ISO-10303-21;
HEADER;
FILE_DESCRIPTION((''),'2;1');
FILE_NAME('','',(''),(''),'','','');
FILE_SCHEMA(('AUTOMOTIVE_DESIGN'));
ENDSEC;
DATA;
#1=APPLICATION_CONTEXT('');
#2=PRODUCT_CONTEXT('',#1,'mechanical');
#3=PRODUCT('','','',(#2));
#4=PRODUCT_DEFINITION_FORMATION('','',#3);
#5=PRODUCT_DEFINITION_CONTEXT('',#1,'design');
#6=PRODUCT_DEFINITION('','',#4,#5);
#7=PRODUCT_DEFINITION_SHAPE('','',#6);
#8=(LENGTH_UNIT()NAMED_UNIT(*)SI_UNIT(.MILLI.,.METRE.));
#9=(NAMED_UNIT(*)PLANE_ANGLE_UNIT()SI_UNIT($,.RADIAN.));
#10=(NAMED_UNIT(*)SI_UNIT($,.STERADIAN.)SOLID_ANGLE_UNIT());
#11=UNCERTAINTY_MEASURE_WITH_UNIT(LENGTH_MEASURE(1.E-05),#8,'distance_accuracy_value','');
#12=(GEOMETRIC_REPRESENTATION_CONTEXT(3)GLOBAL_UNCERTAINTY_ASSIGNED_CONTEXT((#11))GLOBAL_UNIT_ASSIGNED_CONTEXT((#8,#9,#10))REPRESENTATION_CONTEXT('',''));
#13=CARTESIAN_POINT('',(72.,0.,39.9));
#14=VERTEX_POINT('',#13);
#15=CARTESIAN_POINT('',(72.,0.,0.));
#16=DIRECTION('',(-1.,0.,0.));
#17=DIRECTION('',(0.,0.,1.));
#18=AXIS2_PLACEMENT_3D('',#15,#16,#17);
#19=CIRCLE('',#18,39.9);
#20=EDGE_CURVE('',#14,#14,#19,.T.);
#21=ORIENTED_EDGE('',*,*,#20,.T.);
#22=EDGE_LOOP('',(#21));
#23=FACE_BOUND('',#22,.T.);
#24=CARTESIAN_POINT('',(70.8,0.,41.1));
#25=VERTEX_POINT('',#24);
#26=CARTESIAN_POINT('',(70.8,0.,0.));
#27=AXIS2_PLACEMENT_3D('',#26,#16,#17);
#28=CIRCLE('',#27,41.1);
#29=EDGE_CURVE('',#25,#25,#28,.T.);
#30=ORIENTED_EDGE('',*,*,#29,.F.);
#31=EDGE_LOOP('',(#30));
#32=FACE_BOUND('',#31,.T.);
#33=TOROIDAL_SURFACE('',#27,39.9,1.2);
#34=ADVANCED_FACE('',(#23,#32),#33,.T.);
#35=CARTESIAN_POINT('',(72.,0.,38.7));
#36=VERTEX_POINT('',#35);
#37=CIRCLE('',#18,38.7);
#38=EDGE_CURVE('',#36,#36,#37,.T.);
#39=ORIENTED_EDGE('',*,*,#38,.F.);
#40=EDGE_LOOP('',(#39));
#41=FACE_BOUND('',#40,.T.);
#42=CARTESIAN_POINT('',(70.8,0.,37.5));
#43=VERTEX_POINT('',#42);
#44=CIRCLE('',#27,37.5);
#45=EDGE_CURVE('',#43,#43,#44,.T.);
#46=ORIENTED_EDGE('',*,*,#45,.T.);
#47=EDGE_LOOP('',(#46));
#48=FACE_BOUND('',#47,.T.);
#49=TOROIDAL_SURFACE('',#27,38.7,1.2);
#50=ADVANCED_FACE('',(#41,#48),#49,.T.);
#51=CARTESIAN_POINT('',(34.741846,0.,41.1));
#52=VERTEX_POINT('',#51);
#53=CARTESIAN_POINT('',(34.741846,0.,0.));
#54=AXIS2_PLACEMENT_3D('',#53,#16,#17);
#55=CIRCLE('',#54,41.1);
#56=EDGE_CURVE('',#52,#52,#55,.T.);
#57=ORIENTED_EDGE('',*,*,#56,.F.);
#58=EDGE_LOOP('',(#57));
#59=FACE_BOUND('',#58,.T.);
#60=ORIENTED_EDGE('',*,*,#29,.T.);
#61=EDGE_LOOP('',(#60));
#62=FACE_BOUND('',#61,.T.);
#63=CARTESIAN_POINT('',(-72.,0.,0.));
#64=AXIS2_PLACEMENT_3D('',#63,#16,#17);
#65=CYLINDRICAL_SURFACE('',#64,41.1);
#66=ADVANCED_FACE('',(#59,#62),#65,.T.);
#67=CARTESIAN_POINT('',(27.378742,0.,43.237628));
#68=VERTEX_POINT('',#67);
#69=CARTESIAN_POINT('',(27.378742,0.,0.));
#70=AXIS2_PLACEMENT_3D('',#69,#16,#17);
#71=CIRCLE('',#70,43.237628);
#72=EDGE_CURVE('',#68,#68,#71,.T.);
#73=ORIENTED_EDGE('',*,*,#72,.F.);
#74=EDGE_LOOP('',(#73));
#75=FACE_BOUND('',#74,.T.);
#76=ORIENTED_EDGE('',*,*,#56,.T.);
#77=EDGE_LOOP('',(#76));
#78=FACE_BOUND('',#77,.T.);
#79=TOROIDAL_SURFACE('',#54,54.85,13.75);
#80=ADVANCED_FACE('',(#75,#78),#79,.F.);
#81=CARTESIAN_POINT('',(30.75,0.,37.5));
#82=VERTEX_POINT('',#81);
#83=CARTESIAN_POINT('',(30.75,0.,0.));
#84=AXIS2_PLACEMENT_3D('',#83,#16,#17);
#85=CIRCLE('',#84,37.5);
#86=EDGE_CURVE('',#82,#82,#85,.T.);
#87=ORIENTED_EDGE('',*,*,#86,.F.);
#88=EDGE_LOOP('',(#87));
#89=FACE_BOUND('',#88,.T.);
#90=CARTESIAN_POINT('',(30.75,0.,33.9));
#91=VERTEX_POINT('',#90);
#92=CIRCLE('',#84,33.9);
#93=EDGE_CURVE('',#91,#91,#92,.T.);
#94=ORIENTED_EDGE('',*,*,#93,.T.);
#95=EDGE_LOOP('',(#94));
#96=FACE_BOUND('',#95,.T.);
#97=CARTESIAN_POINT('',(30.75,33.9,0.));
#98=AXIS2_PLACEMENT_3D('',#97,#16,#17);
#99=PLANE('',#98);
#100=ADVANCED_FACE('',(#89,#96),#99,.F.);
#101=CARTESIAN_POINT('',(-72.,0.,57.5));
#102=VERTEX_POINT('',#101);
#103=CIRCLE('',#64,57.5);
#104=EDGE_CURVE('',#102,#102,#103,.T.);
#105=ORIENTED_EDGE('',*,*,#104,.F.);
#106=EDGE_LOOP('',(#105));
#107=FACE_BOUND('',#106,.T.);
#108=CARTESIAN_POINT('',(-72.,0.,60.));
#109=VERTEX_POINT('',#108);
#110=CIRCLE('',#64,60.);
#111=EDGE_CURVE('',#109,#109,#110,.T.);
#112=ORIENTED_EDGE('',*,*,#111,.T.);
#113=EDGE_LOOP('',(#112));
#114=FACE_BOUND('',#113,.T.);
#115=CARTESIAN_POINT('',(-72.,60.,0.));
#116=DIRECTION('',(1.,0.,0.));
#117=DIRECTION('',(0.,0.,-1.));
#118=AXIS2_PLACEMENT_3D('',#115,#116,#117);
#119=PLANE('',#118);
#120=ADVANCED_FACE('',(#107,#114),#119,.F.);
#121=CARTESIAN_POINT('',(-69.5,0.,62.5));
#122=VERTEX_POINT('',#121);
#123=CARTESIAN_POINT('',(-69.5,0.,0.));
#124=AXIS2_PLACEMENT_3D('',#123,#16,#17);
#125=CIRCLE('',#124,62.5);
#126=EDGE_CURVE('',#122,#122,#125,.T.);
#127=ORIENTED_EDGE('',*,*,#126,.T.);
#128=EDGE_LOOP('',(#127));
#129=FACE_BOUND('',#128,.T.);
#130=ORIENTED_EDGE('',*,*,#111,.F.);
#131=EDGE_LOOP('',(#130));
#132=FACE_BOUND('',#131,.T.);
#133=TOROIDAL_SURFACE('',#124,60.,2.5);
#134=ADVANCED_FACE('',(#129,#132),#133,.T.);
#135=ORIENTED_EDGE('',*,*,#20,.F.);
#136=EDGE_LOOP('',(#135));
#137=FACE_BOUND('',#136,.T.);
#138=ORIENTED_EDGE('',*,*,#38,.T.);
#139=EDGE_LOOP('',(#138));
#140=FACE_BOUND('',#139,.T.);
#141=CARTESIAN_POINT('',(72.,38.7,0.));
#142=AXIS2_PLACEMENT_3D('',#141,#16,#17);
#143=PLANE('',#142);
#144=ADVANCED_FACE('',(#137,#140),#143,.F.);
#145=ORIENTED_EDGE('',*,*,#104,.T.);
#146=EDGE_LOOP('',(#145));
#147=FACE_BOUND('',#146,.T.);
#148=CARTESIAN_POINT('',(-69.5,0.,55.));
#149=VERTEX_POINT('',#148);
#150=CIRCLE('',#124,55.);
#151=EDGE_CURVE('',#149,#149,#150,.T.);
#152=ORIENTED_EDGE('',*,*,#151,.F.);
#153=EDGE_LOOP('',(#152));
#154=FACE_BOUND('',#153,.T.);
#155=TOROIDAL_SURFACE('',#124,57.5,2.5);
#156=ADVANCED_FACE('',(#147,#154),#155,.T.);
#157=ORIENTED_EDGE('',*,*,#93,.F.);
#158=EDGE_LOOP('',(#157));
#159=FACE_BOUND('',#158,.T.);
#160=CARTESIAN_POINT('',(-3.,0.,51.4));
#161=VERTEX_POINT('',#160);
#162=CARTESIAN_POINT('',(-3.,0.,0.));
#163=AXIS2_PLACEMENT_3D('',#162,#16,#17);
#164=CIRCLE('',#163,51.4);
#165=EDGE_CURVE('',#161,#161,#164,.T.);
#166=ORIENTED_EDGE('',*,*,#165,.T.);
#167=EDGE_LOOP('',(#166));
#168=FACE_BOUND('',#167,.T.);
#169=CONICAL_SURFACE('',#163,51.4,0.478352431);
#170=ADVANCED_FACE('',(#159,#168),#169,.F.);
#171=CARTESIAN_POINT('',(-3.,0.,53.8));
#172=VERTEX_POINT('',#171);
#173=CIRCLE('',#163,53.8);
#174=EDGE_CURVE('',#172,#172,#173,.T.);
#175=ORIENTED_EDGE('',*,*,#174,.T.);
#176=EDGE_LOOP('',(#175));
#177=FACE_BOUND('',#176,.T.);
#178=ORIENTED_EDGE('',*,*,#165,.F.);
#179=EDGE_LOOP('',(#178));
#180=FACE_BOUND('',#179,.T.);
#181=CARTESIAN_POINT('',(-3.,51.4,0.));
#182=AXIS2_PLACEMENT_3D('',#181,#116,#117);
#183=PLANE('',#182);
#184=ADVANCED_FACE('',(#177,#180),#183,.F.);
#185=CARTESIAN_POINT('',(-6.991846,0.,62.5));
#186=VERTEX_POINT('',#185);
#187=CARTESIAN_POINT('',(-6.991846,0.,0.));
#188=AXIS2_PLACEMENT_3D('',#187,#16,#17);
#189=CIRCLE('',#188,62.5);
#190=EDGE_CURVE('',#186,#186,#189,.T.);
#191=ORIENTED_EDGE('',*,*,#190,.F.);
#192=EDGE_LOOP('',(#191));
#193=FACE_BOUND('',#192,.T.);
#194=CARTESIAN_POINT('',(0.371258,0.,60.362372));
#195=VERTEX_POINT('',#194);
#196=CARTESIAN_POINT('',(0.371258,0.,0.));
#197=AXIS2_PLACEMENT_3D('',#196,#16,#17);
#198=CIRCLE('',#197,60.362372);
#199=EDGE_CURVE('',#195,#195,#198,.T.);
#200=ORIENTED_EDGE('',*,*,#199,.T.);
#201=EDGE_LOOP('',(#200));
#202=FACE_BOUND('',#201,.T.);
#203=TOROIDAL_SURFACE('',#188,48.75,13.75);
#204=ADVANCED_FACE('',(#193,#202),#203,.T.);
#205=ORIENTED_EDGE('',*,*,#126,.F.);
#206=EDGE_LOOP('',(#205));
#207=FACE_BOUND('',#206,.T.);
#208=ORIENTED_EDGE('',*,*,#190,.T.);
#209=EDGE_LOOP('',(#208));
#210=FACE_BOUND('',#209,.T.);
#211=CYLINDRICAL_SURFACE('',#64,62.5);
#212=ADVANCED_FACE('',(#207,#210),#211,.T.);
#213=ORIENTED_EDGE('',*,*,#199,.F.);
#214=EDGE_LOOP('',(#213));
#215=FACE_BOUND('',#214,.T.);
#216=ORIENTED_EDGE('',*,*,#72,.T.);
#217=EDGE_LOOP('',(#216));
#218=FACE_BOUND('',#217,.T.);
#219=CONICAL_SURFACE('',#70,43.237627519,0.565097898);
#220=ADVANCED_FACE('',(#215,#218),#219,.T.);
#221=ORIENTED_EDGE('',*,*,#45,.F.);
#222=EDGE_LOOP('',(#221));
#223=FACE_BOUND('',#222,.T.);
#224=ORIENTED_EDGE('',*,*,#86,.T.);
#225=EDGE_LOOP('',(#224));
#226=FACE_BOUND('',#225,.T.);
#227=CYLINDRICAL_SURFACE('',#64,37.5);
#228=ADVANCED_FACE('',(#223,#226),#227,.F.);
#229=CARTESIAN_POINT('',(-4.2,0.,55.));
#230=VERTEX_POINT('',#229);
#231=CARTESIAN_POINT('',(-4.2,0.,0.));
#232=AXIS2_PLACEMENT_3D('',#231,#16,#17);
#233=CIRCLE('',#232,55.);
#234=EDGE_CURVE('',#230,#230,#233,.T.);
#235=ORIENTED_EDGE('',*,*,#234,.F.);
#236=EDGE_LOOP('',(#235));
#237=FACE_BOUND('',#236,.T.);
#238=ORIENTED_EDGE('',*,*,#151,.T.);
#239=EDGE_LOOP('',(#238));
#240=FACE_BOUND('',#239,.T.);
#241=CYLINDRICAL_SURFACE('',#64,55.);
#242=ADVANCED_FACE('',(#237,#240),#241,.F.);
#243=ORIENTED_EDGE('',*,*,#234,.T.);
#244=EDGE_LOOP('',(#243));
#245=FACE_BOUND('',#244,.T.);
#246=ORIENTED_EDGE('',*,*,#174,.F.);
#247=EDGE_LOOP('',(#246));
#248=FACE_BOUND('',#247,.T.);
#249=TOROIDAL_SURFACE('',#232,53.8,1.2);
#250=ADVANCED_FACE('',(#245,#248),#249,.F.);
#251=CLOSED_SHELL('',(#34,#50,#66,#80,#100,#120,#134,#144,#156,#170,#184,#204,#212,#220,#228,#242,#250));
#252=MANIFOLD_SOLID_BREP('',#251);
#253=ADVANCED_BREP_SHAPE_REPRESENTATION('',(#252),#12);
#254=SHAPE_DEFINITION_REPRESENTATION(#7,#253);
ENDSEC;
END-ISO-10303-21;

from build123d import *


with BuildPart() as part:
    # Эскиз1 → Повернуть1 (revolve)
    with BuildSketch(Plane.XY):
        with BuildLine():
            Line((-72, 60), (-72, 57.5))
            ThreePointArc((-72, 57.5), (-71.267766953, 55.732233047), (-69.5, 55))
            Line((-69.5, 55), (-4.2, 55))
            ThreePointArc((-4.2, 55), (-3.351471863, 54.648528137), (-3, 53.8))
            Line((-3, 53.8), (-3, 51.4))
            Line((-3, 51.4), (30.75, 33.9))
            Line((30.75, 33.9), (30.75, 37.5))
            Line((30.75, 37.5), (70.8, 37.5))
            ThreePointArc((70.8, 37.5), (71.648528137, 37.851471863), (72, 38.7))
            Line((72, 38.7), (72, 39.9))
            ThreePointArc((72, 39.9), (71.648528137, 40.748528137), (70.8, 41.1))
            Line((70.8, 41.1), (34.741845976, 41.1))
            ThreePointArc((34.741845976, 41.1), (30.908285073, 41.645216366), (27.378741647, 43.237627519))
            Line((27.378741647, 43.237627519), (0.371258353, 60.362372481))
            ThreePointArc((0.371258353, 60.362372481), (-3.158285073, 61.954783634), (-6.991845976, 62.5))
            Line((-6.991845976, 62.5), (-69.5, 62.5))
            ThreePointArc((-69.5, 62.5), (-71.267766953, 61.767766953), (-72, 60))
        make_face()
    revolve(axis=Axis((-72, 0, 0), (1, 0, 0)))


solid = part.part
